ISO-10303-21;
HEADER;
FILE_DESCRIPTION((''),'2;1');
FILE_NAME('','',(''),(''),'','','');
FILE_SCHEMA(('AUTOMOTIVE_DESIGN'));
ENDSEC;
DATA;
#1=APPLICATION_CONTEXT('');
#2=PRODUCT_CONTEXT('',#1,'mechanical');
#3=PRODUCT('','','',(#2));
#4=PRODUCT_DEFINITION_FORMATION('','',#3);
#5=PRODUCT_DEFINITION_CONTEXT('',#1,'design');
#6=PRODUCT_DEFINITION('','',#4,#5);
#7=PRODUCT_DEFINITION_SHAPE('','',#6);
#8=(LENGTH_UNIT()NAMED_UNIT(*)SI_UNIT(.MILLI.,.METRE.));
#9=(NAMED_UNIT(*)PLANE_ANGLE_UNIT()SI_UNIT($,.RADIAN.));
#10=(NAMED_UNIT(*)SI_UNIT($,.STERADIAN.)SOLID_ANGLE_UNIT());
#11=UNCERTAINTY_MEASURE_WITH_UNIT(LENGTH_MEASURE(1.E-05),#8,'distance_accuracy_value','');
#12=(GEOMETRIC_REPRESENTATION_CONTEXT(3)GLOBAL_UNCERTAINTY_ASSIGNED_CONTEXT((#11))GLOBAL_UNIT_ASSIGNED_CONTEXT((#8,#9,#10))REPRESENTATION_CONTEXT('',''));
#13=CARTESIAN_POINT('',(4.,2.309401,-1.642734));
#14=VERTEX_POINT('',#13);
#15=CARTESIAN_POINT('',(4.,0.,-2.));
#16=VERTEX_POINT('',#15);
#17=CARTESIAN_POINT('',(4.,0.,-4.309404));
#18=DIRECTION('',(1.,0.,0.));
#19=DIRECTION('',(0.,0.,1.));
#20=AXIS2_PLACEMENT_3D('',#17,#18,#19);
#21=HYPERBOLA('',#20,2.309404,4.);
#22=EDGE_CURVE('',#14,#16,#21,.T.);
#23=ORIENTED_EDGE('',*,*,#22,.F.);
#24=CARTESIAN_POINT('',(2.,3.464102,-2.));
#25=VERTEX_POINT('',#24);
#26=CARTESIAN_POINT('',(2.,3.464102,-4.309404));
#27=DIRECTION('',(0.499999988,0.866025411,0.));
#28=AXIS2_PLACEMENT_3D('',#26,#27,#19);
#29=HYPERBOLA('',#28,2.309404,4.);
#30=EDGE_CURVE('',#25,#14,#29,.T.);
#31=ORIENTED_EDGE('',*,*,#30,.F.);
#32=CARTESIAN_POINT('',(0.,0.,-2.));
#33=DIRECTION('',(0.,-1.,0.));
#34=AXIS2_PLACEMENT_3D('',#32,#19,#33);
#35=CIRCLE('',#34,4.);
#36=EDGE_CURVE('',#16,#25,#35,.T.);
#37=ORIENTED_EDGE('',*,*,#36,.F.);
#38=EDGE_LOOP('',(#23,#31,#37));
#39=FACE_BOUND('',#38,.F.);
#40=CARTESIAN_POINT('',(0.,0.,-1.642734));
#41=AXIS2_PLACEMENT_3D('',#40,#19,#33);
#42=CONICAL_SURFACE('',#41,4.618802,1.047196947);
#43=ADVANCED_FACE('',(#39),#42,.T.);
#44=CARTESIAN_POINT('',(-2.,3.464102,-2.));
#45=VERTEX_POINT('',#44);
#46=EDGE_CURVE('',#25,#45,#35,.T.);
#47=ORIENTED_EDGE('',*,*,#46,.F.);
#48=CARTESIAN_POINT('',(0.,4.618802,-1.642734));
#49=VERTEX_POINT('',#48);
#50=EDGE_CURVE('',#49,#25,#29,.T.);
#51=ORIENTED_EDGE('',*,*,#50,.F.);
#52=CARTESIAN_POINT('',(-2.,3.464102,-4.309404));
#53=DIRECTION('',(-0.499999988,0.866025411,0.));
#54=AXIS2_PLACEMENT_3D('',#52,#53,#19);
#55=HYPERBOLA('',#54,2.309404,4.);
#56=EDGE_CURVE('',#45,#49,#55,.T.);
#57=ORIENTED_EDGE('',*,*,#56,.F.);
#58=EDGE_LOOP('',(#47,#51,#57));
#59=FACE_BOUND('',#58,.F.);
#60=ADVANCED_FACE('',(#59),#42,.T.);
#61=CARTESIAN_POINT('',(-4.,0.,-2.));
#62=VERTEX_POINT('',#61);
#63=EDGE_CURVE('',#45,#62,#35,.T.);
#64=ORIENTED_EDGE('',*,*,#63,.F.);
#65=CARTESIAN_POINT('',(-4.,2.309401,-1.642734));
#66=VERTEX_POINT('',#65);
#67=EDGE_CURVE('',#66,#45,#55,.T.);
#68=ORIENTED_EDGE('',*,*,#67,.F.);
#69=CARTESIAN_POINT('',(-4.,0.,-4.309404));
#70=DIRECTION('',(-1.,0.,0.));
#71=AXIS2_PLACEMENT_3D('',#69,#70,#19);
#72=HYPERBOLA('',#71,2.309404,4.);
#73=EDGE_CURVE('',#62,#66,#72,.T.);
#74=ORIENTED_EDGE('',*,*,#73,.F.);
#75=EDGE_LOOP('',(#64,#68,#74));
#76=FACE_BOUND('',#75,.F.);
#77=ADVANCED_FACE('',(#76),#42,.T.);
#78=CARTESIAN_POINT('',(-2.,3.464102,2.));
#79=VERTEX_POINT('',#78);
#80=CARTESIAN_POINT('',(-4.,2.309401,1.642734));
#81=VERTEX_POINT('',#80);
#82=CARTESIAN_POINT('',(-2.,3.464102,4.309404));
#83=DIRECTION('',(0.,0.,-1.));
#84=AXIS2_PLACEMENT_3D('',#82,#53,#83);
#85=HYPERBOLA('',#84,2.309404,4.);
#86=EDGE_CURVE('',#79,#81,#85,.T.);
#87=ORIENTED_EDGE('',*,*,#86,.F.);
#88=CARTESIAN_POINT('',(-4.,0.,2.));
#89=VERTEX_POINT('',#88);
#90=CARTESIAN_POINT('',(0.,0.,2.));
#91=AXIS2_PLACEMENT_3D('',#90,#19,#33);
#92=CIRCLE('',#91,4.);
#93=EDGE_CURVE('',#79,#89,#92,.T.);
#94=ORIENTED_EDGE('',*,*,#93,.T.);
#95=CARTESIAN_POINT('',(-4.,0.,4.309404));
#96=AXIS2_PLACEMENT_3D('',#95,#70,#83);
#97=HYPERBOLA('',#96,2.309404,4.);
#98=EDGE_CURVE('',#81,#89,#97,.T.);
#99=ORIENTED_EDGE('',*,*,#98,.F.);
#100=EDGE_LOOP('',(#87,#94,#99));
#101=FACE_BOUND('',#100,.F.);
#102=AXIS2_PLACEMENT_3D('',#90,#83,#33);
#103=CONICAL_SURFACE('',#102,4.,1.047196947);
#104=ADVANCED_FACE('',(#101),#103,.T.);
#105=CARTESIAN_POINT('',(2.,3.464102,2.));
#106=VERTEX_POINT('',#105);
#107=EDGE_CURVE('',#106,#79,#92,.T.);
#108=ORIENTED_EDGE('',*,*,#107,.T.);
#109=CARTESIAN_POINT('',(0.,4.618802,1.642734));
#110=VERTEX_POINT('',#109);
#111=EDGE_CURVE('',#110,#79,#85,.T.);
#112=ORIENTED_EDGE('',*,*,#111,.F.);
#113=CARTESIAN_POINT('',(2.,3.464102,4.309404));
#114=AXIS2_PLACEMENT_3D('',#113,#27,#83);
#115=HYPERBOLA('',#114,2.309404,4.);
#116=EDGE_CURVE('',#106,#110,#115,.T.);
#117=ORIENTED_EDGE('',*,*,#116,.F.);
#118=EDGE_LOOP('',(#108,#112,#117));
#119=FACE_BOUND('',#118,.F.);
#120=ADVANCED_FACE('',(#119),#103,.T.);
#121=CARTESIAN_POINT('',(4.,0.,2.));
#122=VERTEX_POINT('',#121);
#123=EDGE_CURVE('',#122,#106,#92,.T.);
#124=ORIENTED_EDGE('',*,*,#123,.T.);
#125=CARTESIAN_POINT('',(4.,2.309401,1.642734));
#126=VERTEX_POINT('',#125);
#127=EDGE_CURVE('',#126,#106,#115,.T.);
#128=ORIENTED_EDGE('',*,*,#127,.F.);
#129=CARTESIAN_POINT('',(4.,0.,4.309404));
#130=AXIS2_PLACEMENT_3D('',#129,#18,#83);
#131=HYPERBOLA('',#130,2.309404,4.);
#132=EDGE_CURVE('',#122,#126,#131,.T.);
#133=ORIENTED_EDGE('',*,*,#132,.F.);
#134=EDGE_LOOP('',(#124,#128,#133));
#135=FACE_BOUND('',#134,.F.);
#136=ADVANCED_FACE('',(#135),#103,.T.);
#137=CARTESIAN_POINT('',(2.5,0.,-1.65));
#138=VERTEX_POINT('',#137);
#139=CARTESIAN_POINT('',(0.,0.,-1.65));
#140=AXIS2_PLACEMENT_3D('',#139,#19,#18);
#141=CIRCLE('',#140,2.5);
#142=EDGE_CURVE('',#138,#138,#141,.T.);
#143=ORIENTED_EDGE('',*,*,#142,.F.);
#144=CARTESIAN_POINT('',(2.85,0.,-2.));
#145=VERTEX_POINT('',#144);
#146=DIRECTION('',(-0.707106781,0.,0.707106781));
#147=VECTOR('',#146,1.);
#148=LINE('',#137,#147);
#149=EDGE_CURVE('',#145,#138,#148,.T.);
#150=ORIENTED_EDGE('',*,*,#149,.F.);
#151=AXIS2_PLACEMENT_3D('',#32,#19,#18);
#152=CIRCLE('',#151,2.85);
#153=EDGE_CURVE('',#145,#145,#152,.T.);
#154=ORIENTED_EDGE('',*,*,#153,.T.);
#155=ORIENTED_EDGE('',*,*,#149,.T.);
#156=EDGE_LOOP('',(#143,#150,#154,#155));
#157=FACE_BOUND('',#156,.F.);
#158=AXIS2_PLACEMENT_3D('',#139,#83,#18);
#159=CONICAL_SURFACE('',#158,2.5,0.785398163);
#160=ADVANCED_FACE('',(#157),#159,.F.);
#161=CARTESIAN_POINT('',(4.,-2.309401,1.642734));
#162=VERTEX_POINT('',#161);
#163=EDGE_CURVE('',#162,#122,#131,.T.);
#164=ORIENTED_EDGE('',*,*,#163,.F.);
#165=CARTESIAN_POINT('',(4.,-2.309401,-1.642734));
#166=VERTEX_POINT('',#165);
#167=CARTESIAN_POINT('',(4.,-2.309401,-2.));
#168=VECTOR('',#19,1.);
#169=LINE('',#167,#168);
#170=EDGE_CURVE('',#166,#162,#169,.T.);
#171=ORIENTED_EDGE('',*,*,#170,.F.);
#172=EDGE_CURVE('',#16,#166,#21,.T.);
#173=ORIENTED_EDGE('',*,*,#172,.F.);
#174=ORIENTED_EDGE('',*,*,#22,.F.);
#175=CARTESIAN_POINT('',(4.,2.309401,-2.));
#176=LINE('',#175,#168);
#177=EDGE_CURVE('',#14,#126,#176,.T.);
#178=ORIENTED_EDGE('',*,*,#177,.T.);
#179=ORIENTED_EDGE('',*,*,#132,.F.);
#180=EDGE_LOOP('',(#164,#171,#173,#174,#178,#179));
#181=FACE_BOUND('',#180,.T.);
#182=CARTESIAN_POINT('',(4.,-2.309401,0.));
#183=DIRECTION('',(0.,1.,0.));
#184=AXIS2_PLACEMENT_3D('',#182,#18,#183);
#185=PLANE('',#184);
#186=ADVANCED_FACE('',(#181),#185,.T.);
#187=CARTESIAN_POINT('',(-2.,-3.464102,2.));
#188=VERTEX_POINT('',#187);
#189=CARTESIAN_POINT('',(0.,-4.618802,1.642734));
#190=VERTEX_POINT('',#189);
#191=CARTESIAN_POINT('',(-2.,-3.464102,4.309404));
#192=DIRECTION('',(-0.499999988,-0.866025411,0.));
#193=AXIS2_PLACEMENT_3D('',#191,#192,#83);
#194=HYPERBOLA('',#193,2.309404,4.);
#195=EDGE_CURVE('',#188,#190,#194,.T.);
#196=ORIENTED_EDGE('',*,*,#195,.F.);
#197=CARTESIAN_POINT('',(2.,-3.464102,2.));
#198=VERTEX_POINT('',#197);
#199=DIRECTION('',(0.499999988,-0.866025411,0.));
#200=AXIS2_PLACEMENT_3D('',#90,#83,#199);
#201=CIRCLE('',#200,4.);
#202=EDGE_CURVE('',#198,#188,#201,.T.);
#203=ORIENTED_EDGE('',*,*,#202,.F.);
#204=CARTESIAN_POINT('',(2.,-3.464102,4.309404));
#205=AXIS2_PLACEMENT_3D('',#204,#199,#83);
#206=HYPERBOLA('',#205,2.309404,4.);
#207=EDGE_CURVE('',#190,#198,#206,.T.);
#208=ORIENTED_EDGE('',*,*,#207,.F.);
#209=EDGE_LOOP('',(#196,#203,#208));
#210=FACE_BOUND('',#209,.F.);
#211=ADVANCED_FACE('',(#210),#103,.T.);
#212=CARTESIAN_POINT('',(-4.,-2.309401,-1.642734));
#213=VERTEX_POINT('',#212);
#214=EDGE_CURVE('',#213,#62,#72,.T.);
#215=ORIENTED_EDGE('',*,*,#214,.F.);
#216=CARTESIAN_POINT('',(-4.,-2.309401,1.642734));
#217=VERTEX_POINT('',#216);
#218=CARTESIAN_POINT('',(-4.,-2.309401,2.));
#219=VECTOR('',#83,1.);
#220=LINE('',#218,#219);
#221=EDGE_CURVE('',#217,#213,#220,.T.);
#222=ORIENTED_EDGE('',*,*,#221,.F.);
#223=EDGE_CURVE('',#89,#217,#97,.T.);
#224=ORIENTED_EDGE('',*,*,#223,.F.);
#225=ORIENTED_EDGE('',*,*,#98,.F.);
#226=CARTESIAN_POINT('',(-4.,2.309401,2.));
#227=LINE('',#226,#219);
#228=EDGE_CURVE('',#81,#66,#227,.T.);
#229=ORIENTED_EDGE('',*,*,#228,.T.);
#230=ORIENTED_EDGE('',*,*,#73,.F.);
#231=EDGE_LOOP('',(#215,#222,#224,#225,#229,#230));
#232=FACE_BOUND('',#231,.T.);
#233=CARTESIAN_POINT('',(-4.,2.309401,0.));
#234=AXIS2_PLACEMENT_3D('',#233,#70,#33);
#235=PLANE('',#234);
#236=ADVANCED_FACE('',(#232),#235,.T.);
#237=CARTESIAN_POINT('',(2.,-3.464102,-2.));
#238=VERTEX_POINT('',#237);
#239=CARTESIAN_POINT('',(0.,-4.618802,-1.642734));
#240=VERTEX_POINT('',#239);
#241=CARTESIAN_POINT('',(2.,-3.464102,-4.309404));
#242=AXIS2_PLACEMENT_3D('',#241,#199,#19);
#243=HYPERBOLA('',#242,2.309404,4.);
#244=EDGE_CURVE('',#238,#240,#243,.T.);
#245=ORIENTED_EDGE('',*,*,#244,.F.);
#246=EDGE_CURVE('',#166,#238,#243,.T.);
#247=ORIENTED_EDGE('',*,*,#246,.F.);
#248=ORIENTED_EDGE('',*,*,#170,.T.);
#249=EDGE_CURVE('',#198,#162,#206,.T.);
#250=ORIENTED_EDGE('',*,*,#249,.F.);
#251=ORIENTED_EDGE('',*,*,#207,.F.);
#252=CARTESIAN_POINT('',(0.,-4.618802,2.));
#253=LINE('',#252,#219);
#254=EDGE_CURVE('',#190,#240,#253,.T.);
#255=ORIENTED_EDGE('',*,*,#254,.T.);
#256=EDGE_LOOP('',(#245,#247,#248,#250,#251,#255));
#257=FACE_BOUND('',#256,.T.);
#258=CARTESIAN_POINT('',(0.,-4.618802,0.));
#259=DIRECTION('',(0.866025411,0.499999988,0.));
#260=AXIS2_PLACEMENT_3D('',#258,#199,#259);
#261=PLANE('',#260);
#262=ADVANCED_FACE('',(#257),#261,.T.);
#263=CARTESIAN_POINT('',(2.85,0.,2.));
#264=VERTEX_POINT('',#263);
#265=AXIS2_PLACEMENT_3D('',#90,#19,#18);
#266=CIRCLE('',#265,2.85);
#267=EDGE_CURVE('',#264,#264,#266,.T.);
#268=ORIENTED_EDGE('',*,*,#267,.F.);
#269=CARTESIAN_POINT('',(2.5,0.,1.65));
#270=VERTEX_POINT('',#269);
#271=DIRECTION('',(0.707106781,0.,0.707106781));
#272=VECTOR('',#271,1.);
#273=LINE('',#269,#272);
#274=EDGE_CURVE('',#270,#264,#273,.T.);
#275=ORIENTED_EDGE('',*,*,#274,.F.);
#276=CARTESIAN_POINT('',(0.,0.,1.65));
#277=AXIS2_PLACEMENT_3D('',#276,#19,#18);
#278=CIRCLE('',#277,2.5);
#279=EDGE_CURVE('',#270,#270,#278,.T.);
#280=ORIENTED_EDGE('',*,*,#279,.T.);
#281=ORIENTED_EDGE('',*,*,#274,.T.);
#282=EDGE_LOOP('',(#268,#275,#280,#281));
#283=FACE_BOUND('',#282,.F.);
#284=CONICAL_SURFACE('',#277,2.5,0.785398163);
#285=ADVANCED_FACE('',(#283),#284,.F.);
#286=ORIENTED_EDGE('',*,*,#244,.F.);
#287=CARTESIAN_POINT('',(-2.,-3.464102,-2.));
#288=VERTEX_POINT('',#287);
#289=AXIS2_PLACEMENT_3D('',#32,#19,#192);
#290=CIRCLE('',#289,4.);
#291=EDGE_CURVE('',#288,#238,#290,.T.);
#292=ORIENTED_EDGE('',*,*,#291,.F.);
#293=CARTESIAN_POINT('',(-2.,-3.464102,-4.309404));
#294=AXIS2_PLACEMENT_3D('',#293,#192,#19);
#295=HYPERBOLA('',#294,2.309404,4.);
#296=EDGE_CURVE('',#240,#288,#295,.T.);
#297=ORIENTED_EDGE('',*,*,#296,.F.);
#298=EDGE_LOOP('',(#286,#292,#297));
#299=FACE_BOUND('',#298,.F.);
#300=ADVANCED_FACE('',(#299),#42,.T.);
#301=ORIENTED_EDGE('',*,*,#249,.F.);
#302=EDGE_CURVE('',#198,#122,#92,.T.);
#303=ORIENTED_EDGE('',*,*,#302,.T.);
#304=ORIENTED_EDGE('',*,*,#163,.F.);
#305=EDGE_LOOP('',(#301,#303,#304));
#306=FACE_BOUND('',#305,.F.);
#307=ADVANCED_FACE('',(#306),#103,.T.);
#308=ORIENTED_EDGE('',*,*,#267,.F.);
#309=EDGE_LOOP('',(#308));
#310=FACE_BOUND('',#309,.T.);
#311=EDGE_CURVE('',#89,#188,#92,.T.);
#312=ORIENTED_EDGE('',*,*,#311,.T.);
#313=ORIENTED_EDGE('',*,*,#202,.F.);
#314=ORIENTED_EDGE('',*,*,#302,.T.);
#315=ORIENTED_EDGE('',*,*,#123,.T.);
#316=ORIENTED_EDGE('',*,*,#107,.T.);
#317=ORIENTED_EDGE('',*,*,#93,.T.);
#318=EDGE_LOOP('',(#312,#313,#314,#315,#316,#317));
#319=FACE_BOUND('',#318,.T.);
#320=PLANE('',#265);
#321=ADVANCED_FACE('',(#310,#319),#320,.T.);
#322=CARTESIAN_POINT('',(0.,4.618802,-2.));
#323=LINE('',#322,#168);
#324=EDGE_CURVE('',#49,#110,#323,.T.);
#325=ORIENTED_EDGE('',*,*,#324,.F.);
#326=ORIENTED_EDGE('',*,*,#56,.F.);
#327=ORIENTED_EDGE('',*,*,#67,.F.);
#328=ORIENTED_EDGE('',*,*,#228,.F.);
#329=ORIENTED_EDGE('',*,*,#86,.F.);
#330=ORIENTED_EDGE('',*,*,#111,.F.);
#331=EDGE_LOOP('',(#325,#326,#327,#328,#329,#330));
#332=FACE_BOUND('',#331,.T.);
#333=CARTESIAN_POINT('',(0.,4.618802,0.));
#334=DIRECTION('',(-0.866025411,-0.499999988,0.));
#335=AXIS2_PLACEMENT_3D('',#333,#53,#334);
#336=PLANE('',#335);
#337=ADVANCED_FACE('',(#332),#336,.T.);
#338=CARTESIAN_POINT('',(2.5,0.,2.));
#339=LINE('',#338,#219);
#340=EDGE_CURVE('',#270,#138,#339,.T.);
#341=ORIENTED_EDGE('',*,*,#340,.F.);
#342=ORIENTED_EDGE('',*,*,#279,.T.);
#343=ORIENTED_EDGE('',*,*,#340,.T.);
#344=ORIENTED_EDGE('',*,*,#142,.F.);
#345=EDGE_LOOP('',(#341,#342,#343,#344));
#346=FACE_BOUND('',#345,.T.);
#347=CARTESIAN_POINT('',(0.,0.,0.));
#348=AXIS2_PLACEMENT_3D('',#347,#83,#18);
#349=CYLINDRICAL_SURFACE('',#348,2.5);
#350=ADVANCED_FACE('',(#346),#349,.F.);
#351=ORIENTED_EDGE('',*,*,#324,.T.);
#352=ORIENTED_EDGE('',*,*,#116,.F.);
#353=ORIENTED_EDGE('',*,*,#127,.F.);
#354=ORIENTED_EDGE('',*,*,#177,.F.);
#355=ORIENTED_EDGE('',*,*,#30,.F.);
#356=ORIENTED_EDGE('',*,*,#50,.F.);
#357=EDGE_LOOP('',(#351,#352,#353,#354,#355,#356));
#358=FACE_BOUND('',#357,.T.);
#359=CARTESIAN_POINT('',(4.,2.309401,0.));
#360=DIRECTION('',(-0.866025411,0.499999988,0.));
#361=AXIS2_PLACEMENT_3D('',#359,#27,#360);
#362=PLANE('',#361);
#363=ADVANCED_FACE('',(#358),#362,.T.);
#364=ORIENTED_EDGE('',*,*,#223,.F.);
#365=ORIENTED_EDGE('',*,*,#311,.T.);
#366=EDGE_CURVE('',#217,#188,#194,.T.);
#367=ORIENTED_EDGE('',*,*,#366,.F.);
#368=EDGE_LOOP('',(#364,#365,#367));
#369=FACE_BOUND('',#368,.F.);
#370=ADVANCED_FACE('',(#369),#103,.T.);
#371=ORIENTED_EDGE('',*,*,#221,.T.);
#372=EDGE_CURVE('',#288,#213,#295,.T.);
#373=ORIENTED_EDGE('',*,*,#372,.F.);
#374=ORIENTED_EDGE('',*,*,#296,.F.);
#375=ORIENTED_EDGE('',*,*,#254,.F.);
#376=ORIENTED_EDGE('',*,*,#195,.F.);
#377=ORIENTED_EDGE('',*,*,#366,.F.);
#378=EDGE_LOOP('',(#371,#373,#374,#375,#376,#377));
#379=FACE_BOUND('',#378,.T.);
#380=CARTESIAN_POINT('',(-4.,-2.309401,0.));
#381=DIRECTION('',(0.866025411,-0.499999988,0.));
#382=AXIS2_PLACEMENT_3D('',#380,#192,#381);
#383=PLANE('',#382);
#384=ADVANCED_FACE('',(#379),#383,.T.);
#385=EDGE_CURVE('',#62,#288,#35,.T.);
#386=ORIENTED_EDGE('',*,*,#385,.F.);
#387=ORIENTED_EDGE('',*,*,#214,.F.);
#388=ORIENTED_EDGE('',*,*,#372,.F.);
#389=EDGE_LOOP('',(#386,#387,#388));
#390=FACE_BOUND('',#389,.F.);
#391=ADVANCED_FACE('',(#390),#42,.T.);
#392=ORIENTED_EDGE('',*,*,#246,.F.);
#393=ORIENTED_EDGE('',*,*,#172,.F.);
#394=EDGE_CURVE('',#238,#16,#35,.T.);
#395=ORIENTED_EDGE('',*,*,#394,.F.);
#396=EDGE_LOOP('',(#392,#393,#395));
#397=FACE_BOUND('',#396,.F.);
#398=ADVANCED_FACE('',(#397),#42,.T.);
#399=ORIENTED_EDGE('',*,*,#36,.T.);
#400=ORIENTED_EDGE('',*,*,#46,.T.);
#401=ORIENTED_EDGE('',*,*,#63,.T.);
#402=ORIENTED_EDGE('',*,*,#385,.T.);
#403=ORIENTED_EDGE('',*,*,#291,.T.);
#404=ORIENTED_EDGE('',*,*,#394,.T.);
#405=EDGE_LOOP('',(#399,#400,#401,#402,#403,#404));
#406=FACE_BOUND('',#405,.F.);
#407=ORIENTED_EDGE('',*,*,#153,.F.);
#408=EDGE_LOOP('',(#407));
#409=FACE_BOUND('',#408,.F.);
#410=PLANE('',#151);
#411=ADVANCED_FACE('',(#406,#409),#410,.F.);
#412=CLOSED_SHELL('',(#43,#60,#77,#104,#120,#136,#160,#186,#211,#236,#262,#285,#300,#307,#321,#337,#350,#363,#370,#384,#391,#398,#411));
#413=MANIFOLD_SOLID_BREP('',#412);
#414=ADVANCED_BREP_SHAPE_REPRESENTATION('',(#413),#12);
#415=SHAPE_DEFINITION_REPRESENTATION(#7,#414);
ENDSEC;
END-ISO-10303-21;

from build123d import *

# Parameters (mm, degrees)
SKETCH_R     = 2.5
PAD_DEPTH    = 2
CHAMFER_SIZE = 0.35


with BuildPart() as part:
    # Sketch → Pad (new body, symmetric)
    with BuildSketch(Plane.XY):
        Polygon((0, -4.618802), (4, -2.309401), (4, 2.309401), (0, 4.618802), (-4, 2.309401), (-4, -2.309401), align=None)
        Circle(SKETCH_R, mode=Mode.SUBTRACT)
    extrude(amount=PAD_DEPTH, both=True)

    # Sketch001 → Groove (revolve, cut)
    with BuildSketch(Plane.YZ):
        Polygon((-4, 2), (-4.618802, 1.642734), (-4.618802, 2), align=None)
        Polygon((-4, -2), (-4.618802, -2), (-4.618802, -1.642734), align=None)
    revolve(axis=Axis((0, 0, 0), (0, 0, 1)), mode=Mode.SUBTRACT)

    # Chamfer
    chamfer_edges = [part.edges().sort_by_distance(p)[0] for p in [
        (-2.5, 0, 2),
        (-2.5, 0, -2),
    ]]
    chamfer(chamfer_edges, length=CHAMFER_SIZE)


solid = part.part
